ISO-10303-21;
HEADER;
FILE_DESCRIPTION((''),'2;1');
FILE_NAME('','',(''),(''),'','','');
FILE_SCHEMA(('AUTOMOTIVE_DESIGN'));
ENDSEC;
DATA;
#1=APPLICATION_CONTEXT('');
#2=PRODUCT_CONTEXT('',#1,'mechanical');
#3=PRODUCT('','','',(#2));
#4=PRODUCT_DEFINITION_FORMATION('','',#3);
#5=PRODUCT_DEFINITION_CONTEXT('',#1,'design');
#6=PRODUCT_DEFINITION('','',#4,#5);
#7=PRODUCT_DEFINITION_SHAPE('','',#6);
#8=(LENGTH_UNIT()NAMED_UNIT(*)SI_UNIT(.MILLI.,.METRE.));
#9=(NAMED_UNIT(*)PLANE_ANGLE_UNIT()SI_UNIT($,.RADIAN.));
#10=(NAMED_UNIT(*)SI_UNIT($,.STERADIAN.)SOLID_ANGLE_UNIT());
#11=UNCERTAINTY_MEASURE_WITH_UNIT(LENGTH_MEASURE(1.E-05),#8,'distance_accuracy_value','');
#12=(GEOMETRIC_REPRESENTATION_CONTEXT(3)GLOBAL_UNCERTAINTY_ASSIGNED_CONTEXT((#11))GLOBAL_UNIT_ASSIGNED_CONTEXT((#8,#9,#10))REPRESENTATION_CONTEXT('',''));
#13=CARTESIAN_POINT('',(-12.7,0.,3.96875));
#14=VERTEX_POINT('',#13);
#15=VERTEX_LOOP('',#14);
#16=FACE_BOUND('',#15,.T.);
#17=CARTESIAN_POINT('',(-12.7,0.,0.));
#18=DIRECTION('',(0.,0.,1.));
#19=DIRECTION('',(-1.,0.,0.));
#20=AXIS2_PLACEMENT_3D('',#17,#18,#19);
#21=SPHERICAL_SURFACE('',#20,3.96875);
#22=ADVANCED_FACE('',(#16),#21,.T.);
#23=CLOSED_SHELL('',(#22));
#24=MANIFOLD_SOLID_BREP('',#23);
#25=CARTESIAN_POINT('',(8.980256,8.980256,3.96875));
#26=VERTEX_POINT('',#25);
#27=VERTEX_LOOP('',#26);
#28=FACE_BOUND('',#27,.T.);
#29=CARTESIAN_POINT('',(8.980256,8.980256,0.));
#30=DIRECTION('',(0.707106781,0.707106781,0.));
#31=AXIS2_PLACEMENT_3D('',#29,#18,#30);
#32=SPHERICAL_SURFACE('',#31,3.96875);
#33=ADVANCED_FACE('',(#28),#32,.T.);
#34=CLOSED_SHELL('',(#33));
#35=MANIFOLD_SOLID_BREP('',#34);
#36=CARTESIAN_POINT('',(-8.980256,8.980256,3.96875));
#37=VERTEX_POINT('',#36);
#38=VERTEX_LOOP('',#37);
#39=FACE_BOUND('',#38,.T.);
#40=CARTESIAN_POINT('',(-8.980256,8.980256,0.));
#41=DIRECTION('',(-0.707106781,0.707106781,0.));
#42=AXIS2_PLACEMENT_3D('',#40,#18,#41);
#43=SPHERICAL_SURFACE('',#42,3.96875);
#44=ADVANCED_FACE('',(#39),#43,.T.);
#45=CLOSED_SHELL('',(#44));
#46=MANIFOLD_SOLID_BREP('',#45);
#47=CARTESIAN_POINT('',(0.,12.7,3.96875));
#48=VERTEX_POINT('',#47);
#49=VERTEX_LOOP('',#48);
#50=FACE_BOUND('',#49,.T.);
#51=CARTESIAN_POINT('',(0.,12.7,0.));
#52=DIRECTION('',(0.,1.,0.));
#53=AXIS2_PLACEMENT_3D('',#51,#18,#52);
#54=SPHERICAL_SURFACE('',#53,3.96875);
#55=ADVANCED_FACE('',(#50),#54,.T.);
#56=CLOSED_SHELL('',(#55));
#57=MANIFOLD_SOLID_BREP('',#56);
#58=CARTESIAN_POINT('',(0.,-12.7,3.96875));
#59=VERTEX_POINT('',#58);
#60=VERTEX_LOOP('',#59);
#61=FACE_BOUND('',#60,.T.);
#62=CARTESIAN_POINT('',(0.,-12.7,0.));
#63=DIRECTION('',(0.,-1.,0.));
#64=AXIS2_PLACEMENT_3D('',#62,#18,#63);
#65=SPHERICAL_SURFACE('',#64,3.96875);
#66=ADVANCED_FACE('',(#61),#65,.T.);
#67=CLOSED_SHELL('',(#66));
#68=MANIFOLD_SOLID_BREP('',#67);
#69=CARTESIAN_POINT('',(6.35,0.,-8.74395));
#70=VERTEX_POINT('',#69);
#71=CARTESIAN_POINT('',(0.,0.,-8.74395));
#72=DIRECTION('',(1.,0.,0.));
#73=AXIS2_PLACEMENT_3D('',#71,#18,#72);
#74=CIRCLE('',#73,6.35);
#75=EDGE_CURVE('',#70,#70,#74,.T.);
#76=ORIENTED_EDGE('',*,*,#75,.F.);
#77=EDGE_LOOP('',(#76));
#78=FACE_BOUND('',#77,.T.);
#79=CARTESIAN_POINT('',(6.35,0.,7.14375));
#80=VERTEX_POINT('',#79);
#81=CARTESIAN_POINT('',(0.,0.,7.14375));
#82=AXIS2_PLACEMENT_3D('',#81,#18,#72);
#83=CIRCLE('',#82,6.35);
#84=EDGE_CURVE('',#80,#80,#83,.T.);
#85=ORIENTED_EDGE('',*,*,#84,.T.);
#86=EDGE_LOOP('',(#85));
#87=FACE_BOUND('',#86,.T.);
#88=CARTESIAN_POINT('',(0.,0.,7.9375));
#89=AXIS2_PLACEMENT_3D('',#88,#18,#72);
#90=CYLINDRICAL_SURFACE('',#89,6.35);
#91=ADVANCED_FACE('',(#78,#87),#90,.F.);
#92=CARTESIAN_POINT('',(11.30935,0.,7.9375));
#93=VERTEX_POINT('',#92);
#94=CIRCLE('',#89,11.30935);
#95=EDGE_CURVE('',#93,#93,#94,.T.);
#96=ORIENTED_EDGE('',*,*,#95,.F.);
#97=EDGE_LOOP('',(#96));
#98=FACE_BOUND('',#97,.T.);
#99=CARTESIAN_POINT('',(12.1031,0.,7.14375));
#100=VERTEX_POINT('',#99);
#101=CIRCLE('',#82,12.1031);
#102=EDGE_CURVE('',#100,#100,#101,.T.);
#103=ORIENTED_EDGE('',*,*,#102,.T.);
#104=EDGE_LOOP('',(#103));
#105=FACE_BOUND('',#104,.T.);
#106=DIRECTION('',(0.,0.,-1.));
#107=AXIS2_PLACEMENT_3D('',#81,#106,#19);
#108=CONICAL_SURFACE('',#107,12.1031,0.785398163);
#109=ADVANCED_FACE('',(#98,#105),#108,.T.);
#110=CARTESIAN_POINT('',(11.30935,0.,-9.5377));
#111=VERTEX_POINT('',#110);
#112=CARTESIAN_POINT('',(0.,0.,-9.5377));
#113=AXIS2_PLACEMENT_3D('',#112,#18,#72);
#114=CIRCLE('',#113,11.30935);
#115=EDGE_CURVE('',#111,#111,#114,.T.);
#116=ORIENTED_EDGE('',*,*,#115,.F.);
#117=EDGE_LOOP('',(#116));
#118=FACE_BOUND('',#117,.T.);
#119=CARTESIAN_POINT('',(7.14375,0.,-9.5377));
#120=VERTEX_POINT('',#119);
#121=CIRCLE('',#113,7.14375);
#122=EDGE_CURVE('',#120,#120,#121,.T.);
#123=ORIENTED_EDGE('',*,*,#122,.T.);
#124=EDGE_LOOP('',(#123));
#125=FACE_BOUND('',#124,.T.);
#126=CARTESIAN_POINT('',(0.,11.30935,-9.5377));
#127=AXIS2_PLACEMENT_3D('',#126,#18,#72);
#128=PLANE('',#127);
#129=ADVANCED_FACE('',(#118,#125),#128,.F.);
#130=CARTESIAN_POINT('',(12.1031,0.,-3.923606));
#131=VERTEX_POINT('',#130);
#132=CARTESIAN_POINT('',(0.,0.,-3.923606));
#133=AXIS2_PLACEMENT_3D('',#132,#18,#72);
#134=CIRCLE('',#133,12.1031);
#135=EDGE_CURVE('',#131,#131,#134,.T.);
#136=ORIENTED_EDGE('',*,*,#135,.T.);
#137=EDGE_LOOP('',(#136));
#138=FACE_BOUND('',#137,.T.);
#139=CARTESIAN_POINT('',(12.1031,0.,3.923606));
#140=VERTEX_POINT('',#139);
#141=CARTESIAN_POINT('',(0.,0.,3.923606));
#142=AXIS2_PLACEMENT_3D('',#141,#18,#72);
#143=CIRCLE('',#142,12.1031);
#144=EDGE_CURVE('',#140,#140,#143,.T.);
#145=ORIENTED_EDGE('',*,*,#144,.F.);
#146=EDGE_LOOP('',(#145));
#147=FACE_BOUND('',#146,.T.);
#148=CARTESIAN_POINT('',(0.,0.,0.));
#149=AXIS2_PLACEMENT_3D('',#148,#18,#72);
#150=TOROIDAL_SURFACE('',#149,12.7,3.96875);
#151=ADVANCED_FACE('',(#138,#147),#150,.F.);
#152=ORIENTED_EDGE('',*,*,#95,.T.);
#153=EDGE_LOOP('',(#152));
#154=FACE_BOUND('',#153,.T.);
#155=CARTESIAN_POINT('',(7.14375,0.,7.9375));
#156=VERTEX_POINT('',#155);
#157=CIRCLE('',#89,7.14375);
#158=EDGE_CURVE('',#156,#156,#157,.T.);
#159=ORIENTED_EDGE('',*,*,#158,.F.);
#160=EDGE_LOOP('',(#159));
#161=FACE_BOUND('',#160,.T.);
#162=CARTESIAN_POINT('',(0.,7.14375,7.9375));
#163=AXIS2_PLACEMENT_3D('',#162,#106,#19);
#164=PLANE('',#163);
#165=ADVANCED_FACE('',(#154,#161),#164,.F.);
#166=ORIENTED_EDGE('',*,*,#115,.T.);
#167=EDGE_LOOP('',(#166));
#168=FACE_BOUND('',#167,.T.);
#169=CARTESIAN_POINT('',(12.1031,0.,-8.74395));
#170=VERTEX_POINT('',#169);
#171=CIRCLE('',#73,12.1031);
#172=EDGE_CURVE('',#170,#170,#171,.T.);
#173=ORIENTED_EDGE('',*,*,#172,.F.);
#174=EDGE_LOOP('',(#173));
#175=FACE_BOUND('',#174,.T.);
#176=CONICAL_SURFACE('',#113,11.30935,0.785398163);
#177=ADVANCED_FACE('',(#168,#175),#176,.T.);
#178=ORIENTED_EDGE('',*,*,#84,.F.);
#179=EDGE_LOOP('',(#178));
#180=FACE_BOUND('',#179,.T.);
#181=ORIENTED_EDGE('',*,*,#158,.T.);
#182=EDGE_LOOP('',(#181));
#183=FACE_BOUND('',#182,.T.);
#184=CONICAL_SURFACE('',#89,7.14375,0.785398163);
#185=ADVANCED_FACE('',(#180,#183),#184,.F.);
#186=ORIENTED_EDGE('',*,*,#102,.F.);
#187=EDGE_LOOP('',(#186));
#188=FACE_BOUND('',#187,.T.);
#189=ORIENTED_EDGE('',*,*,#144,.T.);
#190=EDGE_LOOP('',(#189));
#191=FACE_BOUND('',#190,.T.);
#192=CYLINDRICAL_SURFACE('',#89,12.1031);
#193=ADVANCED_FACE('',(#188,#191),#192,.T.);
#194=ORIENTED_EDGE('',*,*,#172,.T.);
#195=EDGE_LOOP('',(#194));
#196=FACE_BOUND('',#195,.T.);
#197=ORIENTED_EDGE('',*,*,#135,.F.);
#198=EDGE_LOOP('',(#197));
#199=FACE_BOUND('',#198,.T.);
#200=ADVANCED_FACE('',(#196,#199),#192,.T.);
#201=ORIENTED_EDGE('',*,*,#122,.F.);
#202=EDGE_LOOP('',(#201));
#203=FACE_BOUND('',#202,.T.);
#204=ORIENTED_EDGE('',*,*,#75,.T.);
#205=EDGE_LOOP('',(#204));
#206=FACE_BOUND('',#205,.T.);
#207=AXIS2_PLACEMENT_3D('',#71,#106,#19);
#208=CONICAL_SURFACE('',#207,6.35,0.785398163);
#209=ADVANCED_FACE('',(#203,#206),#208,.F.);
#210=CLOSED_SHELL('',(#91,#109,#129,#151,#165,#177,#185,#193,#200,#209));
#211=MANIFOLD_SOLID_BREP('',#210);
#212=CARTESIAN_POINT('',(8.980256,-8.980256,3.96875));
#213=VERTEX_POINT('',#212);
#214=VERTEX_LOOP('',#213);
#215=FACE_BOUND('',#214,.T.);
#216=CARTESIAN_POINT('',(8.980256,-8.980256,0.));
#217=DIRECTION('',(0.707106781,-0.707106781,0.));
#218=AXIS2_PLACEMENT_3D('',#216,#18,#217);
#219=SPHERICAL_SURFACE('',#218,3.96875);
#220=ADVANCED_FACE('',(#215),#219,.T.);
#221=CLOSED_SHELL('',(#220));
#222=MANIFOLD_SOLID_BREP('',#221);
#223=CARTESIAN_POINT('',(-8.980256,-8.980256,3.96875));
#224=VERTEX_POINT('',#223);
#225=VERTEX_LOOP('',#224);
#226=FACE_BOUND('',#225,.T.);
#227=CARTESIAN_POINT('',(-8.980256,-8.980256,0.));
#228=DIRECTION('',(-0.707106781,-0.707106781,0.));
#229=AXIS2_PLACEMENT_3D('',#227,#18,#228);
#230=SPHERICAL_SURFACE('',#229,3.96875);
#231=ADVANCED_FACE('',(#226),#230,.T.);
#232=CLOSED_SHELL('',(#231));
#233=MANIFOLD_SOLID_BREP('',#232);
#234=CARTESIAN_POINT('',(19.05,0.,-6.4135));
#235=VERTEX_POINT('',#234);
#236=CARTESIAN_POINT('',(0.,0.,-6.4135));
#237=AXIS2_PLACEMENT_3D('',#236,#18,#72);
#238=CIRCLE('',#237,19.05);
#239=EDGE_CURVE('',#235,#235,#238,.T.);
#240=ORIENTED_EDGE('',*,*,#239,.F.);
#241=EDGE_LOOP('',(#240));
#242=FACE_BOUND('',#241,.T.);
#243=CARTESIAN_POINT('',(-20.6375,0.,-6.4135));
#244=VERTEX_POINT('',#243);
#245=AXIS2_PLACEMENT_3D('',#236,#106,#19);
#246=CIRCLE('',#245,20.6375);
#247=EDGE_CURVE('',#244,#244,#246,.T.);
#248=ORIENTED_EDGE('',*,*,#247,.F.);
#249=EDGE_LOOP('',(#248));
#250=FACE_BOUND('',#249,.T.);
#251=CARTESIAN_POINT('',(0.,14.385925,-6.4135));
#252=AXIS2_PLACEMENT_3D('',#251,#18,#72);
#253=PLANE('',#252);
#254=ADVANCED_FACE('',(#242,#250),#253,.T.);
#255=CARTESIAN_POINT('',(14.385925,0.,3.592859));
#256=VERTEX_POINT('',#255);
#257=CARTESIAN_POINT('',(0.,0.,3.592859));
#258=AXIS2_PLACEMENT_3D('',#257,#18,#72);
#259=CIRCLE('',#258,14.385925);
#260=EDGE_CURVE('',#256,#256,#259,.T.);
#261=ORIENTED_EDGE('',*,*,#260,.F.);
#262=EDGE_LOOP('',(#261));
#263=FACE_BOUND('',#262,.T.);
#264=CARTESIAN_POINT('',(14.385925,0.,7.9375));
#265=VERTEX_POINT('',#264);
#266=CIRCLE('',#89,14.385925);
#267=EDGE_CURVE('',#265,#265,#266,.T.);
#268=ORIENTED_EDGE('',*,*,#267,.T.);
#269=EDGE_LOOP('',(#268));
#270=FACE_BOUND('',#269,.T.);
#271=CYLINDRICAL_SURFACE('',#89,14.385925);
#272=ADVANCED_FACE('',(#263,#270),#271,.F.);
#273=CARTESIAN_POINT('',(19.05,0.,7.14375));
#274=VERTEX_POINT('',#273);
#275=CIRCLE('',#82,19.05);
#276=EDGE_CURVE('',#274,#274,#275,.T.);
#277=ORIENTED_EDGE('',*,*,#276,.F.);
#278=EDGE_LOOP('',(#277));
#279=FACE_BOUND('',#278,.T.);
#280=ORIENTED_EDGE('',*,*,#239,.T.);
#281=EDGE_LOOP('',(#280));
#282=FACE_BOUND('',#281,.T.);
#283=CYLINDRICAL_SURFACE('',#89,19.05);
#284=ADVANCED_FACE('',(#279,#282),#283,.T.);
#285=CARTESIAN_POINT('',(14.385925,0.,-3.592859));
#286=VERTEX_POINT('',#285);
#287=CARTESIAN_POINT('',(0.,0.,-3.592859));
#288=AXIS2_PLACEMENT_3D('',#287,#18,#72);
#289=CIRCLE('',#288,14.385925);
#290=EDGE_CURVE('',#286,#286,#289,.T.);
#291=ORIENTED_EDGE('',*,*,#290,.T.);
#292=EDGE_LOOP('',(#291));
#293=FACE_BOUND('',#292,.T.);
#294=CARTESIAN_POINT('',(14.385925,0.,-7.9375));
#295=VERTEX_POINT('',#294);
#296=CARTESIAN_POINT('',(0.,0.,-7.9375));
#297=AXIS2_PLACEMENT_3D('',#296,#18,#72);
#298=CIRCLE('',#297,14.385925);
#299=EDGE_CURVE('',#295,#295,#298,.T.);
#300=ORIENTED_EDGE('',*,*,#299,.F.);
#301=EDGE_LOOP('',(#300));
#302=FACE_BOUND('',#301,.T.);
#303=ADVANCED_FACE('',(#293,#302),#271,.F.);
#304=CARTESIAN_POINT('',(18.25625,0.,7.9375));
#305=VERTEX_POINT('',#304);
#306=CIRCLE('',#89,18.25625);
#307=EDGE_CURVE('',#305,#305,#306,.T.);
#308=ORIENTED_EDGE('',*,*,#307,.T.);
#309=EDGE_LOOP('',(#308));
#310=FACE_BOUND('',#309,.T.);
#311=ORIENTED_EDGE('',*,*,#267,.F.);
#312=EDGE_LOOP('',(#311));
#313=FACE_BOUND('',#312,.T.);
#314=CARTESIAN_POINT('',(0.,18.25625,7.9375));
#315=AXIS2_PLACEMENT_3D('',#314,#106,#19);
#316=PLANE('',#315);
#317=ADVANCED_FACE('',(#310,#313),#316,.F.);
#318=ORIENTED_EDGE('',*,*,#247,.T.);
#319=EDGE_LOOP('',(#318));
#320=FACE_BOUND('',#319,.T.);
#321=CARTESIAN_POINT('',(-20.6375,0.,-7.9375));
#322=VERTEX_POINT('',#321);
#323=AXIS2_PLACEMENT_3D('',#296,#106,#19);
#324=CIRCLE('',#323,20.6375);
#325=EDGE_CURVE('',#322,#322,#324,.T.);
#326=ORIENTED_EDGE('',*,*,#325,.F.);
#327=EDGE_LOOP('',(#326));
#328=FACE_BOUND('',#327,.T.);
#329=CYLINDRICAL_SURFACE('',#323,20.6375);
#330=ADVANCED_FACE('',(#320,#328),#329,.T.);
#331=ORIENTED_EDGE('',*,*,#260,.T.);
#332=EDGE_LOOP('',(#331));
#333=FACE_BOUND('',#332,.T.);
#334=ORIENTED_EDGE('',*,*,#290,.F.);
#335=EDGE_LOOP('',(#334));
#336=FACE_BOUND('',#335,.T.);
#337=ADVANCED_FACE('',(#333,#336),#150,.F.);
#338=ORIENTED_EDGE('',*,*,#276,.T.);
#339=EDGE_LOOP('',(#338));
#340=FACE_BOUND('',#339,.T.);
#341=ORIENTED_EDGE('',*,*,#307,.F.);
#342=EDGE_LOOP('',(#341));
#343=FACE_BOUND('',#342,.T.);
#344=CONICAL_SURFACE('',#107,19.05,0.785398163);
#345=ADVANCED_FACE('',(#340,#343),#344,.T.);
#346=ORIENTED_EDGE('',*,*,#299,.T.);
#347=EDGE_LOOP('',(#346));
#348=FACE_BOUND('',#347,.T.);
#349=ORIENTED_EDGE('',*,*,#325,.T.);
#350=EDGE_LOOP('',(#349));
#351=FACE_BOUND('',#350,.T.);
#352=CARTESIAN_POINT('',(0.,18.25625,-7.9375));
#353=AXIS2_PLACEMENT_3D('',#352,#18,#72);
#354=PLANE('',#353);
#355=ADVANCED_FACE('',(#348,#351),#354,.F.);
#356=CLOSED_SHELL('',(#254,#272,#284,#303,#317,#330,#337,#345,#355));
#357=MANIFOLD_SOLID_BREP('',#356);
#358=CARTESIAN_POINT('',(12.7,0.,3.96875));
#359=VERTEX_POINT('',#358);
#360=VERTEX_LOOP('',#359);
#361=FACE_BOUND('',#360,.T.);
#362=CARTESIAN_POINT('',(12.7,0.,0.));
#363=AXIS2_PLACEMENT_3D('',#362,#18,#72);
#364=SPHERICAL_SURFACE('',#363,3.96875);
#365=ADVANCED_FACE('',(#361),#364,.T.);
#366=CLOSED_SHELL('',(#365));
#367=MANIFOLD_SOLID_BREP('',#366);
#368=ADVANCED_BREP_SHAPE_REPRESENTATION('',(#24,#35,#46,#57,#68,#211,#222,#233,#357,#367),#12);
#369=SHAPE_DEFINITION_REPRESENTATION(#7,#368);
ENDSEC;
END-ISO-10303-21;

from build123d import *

# Parameters (mm, degrees)
SKETCH6_W         = 1.524
SKETCH6_H         = 6.251575
CIRPATTERN1_COUNT = 8


with BuildPart() as part:
    # Sketch1 → Revolve1 (revolve)
    with BuildSketch(Plane(origin=(0, 0, 0), x_dir=(0, 0, -1), z_dir=(1, 0, 0))):
        with BuildLine():
            Line((7.14375, 19.05), (-7.14375, 19.05))
            Line((-7.14375, 19.05), (-7.9375, 18.25625))
            Line((-7.9375, 18.25625), (-7.9375, 14.385925))
            Line((-7.9375, 14.385925), (-3.592858675, 14.385925))
            ThreePointArc((-3.592858675, 14.385925), (0, 16.66875), (3.592858675, 14.385925))
            Line((3.592858675, 14.385925), (7.9375, 14.385925))
            Line((7.9375, 14.385925), (7.9375, 18.25625))
            Line((7.9375, 18.25625), (7.14375, 19.05))
        make_face()
    revolve(axis=Axis((0, 0, 7.9375), (0, 0, -1)))

    # Sketch6 → Revolve6 (revolve)
    with BuildSketch(Plane(origin=(0, 0, 0), x_dir=(0, 0, -1), z_dir=(1, 0, 0))):
        with Locations((7.1755, 17.5117125)):
            Rectangle(SKETCH6_W, SKETCH6_H)
    revolve(axis=Axis((0, 0, -7.9375), (0, 0, 1)))


with BuildPart() as body_2:
    # Sketch3 → Revolve3 (revolve)
    with BuildSketch(Plane(origin=(0, 0, 0), x_dir=(0, 0, -1), z_dir=(1, 0, 0))):
        with BuildLine():
            Line((-7.9375, 7.14375), (-7.9375, 11.30935))
            Line((-7.9375, 11.30935), (-7.14375, 12.1031))
            Line((-7.14375, 12.1031), (-3.923606371, 12.1031))
            ThreePointArc((-3.923606371, 12.1031), (0, 8.73125), (3.923606371, 12.1031))
            Line((3.923606371, 12.1031), (8.74395, 12.1031))
            Line((8.74395, 12.1031), (9.5377, 11.30935))
            Line((9.5377, 11.30935), (9.5377, 7.14375))
            Line((9.5377, 7.14375), (8.74395, 6.35))
            Line((8.74395, 6.35), (-7.14375, 6.35))
            Line((-7.14375, 6.35), (-7.9375, 7.14375))
        make_face()
    revolve(axis=Axis((0, 0, 7.9375), (0, 0, -1)))


with BuildPart() as body_3:
    # Sketch4 → Revolve4 (revolve)
    with BuildSketch(Plane(origin=(0, 0, 0), x_dir=(0, 0, -1), z_dir=(1, 0, 0))):
        with BuildLine():
            Line((-3.96875, 12.7), (3.96875, 12.7))
            ThreePointArc((3.96875, 12.7), (0, 16.66875), (-3.96875, 12.7))
        make_face()
    revolve(axis=Axis((0, 12.7, 3.96875), (0, 0, -1)))


with BuildPart() as cirpattern1_1:
    # CirPattern1: pattern copy
    add(body_3.part.rotate(Axis((0, 0, -7.9375), (0, 0, 1)), 1 * 360 / CIRPATTERN1_COUNT))


with BuildPart() as cirpattern1_2:
    # CirPattern1: pattern copy
    add(body_3.part.rotate(Axis((0, 0, -7.9375), (0, 0, 1)), 2 * 360 / CIRPATTERN1_COUNT))


with BuildPart() as cirpattern1_3:
    # CirPattern1: pattern copy
    add(body_3.part.rotate(Axis((0, 0, -7.9375), (0, 0, 1)), 3 * 360 / CIRPATTERN1_COUNT))


with BuildPart() as cirpattern1_4:
    # CirPattern1: pattern copy
    add(body_3.part.rotate(Axis((0, 0, -7.9375), (0, 0, 1)), 4 * 360 / CIRPATTERN1_COUNT))


with BuildPart() as cirpattern1_5:
    # CirPattern1: pattern copy
    add(body_3.part.rotate(Axis((0, 0, -7.9375), (0, 0, 1)), 5 * 360 / CIRPATTERN1_COUNT))


with BuildPart() as cirpattern1_6:
    # CirPattern1: pattern copy
    add(body_3.part.rotate(Axis((0, 0, -7.9375), (0, 0, 1)), 6 * 360 / CIRPATTERN1_COUNT))


with BuildPart() as cirpattern1_7:
    # CirPattern1: pattern copy
    add(body_3.part.rotate(Axis((0, 0, -7.9375), (0, 0, 1)), 7 * 360 / CIRPATTERN1_COUNT))


solid = Compound([part.part, body_2.part, body_3.part, cirpattern1_1.part, cirpattern1_2.part, cirpattern1_3.part, cirpattern1_4.part, cirpattern1_5.part, cirpattern1_6.part, cirpattern1_7.part])
